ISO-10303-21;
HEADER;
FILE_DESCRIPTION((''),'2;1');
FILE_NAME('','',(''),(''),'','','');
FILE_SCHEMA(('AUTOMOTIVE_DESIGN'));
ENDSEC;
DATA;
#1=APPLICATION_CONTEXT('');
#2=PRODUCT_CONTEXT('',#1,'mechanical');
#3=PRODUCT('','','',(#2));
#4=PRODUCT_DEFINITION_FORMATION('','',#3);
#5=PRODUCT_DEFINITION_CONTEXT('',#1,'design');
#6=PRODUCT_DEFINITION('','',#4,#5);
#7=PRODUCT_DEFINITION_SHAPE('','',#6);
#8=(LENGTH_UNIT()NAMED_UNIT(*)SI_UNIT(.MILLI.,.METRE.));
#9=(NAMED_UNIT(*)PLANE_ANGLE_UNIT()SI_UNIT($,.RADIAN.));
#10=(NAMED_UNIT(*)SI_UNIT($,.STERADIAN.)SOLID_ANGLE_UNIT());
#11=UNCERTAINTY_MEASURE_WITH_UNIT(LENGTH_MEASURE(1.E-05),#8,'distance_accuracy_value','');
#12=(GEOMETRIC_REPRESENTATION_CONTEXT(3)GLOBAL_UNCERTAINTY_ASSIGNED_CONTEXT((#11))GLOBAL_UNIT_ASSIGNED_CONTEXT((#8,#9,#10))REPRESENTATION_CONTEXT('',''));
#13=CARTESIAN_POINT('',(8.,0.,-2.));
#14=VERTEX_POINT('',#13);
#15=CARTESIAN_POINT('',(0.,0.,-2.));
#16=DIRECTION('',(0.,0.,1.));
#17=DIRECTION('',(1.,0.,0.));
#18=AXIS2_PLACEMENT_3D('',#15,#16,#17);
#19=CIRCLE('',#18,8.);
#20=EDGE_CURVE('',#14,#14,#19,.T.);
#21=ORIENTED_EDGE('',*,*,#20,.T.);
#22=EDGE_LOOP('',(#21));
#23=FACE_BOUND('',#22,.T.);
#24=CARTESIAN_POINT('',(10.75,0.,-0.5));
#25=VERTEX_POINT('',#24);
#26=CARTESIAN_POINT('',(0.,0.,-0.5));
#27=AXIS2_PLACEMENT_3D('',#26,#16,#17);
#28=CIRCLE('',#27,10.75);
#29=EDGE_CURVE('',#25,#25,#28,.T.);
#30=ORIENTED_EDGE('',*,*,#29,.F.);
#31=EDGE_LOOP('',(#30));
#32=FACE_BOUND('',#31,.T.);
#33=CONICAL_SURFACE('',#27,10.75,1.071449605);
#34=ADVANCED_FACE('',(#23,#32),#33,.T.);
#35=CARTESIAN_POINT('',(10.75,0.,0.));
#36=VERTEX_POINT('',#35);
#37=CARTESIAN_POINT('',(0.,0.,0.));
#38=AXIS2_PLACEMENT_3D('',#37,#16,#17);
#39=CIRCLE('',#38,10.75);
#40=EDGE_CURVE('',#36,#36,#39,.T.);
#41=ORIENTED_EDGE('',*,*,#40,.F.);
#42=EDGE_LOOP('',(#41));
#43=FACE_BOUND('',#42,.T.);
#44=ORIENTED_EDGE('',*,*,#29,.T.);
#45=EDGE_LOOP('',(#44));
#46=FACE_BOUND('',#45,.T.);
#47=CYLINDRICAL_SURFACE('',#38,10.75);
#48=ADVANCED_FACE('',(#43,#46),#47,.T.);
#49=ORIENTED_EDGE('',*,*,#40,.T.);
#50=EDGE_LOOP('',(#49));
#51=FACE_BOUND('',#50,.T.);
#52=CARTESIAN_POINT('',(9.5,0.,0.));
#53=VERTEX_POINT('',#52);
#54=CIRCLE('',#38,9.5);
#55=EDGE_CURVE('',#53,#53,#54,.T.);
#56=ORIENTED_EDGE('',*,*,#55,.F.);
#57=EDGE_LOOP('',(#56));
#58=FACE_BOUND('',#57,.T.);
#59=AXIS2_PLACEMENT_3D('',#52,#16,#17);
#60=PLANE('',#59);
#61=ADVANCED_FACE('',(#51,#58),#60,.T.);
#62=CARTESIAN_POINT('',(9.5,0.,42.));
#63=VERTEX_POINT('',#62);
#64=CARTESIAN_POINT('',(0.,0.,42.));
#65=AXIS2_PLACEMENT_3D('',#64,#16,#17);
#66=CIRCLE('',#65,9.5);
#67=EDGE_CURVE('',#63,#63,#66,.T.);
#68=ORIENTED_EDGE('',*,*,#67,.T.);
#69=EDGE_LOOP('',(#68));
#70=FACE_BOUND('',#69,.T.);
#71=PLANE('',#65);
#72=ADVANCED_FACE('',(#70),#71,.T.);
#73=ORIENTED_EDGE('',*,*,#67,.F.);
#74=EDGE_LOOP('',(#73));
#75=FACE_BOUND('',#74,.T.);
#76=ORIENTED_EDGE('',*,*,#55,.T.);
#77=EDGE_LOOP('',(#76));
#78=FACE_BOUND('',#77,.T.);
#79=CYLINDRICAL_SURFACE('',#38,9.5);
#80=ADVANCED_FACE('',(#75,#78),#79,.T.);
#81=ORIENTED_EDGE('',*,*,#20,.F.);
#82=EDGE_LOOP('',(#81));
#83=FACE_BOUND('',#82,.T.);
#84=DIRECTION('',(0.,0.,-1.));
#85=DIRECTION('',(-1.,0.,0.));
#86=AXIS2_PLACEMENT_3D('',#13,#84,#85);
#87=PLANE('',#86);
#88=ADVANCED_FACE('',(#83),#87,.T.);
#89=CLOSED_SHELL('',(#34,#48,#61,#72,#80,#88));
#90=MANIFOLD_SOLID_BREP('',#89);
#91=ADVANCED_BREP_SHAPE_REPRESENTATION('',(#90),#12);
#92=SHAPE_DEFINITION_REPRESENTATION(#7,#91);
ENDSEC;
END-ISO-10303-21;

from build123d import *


with BuildPart() as part:
    # Sketch1 → Revolve1 (revolve)
    with BuildSketch(Plane(origin=(0, 0, 0), x_dir=(1, 0, 0), z_dir=(0, 1, 0))):
        Polygon((0, 2), (0, -42), (9.5, -42), (9.5, 0), (10.75, 0), (10.75, 0.5), (8, 2), align=None)
    revolve(axis=Axis((0, 0, 0), (0, 0, -1)))


solid = part.part
